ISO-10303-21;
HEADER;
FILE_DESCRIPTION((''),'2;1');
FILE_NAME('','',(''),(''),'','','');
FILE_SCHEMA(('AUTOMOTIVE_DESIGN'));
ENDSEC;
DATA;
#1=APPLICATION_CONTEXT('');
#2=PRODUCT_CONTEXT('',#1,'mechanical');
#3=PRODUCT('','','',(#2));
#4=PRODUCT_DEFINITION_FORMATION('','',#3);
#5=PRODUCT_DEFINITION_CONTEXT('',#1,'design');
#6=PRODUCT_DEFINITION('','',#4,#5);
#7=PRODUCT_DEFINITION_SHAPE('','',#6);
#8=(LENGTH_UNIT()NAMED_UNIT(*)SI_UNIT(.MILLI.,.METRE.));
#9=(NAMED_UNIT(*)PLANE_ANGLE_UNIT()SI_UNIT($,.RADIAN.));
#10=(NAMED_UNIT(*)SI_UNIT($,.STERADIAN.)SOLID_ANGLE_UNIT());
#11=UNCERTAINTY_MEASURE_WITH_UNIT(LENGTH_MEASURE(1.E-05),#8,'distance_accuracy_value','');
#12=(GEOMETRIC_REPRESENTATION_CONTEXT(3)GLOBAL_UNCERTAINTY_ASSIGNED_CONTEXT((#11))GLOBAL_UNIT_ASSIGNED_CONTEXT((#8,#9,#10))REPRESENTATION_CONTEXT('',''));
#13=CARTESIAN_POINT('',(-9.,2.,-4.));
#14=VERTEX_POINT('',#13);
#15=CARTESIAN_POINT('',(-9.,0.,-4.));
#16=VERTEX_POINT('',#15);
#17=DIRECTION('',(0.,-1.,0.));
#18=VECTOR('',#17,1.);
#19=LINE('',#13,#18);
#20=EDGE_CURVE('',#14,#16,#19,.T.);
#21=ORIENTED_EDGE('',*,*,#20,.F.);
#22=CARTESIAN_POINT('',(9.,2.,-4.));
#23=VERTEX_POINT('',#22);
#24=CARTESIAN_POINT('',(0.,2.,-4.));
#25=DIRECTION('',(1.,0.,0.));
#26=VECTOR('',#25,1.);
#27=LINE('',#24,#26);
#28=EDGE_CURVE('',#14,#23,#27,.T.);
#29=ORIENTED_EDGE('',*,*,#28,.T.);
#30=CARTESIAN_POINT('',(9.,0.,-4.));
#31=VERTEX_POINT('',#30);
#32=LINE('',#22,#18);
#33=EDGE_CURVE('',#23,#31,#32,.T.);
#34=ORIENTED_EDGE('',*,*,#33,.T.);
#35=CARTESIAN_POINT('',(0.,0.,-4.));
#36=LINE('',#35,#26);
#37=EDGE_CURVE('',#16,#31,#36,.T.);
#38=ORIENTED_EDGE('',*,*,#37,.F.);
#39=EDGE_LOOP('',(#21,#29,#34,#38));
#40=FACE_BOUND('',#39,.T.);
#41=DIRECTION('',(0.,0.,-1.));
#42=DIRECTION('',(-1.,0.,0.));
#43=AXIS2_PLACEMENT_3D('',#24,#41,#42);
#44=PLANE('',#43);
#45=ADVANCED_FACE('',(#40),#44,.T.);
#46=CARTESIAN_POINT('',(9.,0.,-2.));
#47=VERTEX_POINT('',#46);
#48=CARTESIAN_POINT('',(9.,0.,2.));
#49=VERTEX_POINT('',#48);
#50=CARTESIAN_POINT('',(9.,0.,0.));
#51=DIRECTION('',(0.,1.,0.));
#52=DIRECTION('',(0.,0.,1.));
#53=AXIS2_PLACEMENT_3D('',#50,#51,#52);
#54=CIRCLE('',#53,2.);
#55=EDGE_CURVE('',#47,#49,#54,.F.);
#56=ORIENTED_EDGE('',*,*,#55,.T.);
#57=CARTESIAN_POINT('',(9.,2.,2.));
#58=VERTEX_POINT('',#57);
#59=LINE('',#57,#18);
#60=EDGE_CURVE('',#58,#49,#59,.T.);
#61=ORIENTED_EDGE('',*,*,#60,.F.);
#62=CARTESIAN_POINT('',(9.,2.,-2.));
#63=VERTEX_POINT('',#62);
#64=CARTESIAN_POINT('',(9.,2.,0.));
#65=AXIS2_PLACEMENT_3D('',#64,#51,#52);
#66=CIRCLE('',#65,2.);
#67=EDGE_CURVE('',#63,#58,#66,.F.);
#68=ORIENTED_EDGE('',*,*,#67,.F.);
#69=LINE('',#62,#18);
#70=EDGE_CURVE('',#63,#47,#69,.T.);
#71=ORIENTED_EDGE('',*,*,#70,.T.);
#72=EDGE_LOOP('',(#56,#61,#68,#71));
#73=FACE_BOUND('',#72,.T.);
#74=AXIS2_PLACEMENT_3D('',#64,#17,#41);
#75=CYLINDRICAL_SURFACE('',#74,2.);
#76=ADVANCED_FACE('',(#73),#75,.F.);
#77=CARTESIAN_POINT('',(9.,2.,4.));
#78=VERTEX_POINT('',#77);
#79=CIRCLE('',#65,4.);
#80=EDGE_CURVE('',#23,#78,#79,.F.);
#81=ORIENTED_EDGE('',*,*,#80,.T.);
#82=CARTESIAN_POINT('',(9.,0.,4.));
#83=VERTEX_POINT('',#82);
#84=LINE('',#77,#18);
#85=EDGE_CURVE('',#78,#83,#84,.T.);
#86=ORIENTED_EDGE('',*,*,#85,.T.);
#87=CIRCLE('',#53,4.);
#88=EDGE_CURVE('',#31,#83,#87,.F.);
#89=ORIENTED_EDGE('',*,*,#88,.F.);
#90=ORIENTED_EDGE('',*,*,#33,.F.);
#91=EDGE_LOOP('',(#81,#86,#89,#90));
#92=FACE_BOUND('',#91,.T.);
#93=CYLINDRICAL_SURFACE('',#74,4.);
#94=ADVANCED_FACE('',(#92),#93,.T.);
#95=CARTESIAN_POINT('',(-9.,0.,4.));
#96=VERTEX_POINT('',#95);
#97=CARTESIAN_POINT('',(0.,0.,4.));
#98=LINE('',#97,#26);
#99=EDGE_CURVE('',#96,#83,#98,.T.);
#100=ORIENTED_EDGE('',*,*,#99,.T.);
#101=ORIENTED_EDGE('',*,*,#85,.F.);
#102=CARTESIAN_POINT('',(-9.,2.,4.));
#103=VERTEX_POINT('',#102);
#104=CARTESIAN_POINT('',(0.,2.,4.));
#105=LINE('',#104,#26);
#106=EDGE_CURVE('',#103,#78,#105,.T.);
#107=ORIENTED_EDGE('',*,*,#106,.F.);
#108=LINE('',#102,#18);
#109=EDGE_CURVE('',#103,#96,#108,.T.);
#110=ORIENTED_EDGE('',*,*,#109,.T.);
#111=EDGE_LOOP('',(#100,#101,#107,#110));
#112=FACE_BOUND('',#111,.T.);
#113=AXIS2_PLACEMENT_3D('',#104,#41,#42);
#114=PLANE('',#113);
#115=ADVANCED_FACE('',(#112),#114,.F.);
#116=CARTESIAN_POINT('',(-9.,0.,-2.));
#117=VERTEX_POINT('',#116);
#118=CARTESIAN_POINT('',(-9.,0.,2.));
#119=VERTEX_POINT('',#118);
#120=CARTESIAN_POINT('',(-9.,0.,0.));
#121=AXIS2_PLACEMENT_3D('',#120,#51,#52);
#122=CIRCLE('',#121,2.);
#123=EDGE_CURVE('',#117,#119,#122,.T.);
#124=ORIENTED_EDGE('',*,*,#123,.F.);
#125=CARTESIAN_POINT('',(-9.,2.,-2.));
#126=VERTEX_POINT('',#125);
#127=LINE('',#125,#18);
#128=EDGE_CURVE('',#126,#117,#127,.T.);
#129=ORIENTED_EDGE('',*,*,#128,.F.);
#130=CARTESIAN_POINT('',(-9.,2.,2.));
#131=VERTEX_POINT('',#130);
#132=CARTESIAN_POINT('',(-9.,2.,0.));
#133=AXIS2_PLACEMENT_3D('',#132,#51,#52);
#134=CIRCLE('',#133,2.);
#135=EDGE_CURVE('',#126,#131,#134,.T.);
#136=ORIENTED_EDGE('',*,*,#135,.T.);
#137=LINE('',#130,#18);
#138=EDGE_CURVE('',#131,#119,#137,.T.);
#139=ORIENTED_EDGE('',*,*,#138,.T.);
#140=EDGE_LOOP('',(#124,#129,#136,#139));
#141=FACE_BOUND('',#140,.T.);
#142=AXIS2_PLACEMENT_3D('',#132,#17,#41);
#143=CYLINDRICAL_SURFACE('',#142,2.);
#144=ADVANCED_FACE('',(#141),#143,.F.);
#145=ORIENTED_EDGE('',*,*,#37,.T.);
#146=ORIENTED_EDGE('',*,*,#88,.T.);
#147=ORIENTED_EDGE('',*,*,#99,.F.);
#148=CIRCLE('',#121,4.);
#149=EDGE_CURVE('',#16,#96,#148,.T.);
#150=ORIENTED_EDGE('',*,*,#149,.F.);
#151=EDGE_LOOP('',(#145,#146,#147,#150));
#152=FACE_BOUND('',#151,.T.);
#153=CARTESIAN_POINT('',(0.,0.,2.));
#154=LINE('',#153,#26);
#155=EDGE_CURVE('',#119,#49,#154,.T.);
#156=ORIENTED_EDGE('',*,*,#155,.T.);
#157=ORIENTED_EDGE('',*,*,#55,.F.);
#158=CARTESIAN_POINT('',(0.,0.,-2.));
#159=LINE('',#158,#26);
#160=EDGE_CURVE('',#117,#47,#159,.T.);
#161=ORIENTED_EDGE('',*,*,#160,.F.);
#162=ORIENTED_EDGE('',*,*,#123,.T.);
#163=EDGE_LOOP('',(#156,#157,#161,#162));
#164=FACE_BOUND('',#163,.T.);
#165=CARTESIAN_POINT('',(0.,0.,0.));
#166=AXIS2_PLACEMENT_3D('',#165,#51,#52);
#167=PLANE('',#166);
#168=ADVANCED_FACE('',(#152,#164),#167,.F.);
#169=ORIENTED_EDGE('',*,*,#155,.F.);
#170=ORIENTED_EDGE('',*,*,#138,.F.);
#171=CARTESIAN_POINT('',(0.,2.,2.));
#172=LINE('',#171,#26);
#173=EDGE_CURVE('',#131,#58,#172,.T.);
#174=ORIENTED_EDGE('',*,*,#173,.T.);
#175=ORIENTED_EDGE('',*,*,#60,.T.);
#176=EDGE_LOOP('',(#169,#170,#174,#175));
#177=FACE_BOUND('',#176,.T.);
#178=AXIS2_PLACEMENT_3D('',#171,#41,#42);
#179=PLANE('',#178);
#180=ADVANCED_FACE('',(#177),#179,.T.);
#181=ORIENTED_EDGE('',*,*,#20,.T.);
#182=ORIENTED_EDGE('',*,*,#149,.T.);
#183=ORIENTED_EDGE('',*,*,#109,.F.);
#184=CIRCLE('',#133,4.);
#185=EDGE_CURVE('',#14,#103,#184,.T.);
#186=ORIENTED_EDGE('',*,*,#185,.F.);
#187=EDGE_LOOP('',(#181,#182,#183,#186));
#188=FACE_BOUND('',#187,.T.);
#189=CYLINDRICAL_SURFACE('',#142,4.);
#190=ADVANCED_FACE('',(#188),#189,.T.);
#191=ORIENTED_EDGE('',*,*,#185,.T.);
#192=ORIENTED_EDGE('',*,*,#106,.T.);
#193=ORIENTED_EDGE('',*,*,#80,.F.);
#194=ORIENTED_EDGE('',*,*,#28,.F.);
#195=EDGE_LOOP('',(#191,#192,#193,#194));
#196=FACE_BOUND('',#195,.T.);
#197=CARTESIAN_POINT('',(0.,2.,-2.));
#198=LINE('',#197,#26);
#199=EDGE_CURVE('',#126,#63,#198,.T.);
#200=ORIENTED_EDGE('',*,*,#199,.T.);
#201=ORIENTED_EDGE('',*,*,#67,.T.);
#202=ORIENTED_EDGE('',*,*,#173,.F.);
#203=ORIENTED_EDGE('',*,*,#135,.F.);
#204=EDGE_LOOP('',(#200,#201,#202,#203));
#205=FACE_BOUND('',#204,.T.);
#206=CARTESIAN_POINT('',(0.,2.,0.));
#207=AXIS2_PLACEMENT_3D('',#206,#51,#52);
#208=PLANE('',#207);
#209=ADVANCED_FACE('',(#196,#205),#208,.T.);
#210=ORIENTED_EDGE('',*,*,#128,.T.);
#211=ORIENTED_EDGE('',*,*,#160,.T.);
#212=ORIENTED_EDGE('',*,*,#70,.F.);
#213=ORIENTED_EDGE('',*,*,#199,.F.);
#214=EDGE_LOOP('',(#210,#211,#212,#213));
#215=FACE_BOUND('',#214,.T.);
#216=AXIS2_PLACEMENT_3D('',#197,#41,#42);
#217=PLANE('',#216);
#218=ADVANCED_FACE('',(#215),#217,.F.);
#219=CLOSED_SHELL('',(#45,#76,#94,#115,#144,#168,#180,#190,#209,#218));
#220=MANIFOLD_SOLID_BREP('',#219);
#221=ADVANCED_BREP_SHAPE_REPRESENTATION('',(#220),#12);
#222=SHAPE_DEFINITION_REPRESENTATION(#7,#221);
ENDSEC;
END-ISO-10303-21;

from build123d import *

# Parameters (mm, degrees)
BOSS_EXTRUDE1_DEPTH = 2


with BuildPart() as part:
    # Sketch1 → Boss-Extrude1 (new body)
    with BuildSketch(Plane(origin=(0, 0, 0), x_dir=(1, 0, 0), z_dir=(0, 1, 0))):
        with BuildLine():
            ThreePointArc((9, -4), (13, 0), (9, 4))
            Line((9, 4), (-9, 4))
            ThreePointArc((-9, 4), (-13, 0), (-9, -4))
            Line((-9, -4), (9, -4))
        make_face()
        with BuildLine():
            Line((-9, 2), (9, 2))
            ThreePointArc((9, 2), (11, 0), (9, -2))
            Line((9, -2), (-9, -2))
            ThreePointArc((-9, -2), (-11, 0), (-9, 2))
        make_face(mode=Mode.SUBTRACT)
    extrude(amount=BOSS_EXTRUDE1_DEPTH)


solid = part.part
